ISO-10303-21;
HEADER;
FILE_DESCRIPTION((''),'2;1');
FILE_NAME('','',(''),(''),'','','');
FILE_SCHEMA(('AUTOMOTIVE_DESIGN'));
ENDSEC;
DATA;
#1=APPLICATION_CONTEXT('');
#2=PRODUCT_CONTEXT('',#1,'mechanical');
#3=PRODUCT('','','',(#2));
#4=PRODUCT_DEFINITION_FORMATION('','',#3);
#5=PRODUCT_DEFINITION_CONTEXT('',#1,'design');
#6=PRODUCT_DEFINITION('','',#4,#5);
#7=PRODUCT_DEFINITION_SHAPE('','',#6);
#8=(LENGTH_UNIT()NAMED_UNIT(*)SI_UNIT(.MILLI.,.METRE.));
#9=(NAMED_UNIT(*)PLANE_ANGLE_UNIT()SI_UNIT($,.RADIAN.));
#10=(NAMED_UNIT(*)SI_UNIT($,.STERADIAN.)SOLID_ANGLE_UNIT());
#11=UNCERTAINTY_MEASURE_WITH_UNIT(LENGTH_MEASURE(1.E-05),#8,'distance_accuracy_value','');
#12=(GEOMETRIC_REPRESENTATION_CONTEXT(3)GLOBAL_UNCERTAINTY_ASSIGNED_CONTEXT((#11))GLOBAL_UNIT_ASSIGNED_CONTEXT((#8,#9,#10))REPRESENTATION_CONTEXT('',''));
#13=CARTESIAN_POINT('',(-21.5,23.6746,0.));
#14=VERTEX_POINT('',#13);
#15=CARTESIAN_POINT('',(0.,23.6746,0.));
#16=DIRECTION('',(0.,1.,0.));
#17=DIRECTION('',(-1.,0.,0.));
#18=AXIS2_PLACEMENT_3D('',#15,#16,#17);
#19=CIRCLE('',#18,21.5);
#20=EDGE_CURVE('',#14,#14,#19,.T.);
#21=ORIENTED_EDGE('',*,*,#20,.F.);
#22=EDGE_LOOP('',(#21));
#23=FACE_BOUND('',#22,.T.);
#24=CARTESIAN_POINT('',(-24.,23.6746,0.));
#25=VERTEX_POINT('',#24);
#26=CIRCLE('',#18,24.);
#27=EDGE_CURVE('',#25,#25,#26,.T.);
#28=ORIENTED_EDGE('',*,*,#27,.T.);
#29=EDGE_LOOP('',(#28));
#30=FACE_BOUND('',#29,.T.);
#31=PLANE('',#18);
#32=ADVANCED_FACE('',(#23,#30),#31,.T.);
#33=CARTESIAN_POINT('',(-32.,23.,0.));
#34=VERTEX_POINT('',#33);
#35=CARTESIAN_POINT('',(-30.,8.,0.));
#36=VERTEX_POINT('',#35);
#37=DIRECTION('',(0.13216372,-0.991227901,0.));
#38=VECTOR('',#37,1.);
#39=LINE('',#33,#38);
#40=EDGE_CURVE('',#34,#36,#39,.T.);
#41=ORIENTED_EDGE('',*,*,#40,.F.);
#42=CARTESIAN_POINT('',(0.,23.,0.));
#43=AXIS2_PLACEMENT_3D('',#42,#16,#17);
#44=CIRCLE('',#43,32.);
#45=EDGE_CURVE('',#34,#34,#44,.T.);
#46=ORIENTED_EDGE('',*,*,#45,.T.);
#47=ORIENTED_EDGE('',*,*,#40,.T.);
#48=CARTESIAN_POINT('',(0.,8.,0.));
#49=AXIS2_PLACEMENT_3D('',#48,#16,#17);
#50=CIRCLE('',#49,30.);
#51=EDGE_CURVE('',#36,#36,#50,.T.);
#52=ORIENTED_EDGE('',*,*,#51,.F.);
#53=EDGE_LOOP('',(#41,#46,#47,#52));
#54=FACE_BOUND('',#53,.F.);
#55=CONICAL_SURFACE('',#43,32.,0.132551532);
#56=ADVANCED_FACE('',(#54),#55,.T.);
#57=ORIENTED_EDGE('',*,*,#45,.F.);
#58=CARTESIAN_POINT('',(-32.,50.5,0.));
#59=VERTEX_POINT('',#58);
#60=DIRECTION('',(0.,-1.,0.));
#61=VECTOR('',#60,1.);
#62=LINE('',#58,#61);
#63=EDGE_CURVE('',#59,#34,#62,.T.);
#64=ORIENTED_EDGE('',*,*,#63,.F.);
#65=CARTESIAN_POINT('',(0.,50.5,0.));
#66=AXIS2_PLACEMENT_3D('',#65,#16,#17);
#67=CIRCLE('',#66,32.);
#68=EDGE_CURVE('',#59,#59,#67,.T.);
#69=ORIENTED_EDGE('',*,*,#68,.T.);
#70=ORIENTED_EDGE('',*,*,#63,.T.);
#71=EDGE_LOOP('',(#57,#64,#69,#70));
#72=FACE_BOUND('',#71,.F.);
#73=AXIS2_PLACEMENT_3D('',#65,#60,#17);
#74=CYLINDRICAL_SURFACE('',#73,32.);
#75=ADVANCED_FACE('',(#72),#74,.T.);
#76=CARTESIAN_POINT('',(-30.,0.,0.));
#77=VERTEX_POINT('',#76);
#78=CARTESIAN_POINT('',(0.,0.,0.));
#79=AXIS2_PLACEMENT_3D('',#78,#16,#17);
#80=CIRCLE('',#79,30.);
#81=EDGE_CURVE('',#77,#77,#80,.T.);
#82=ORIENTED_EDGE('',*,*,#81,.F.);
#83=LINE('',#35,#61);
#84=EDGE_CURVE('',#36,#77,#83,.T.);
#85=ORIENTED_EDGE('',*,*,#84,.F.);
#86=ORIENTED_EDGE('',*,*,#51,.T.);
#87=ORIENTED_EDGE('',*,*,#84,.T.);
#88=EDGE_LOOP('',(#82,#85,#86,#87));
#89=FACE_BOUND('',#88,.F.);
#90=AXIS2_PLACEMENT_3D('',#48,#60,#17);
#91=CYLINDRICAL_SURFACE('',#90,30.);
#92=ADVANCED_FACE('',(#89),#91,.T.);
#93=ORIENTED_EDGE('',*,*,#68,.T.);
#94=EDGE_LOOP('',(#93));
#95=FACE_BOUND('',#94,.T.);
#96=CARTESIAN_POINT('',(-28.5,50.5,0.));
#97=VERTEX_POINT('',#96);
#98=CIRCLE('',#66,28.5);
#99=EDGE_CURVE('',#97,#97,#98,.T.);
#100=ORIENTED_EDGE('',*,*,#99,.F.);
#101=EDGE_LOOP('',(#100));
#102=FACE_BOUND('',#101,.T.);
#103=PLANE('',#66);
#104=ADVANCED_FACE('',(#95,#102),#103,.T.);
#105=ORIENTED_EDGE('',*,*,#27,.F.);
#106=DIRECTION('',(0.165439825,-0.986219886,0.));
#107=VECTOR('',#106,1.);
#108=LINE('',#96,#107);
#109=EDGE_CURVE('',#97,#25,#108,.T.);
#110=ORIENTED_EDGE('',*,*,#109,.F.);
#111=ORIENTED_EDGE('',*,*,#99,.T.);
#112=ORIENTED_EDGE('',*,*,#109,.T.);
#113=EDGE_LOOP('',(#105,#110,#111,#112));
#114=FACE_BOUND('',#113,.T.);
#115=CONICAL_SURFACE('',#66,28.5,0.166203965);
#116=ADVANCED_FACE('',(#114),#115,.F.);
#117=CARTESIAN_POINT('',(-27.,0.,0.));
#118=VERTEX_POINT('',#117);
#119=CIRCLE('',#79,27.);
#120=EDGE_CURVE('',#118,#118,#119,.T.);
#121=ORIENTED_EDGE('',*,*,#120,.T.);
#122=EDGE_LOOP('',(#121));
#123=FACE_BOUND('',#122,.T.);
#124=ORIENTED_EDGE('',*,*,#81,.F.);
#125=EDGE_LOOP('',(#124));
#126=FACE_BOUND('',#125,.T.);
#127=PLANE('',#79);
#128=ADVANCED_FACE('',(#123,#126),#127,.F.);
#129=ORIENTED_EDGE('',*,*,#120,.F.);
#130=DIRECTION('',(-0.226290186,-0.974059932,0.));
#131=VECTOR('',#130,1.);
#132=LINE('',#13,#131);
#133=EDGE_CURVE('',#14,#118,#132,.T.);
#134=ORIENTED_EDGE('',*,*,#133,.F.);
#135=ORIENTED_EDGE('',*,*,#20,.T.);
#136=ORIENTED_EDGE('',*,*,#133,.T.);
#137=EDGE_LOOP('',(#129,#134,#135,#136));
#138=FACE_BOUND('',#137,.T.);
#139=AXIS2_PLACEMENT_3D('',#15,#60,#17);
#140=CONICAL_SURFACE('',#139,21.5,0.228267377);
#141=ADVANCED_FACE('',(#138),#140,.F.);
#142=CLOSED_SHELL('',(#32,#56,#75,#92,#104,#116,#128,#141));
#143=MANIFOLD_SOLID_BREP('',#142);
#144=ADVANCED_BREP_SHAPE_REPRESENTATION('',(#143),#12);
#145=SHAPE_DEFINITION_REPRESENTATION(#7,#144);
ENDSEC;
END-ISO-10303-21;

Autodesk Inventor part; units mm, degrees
ref_plane "YZ Plane" through (0, 0, 0) normal (1, 0, 0) x (0, 1, 0)
ref_plane "XZ Plane" through (0, 0, 0) normal (0, 1, 0) x (-1, 0, 0)
ref_plane "XY Plane" through (0, 0, 0) normal (0, 0, 1) x (1, 0, 0)
sketch "Boceto1" plane through (0, 0, 0) normal (0, 0, 1) x (1, 0, 0)
  line L0 (-32, 50.5) -> (-32, 23)
  line L1 (-32, 23) -> (-30, 8)
  line L2 (-30, 8) -> (-30, 0)
  line L3 (-32, 50.5) -> (-28.5, 50.5)
  line L4 (-24, 23.6746) -> (-21.5, 23.6746)
  line L5 (-21.5, 23.6746) -> (-27, 0)
  line L6 (-27, 0) -> (-30, 0)
  line L7 (-28.5, 50.5) -> (-24, 23.6746)
  line L8 (0, -10.1) -> (0, 60.6) projected
  point P0 (0, 0)
  point P1 (0, 0)
  dimension "d2" = 2
  dimension "d3" = 8
  dimension "d4" = 15
  dimension "d14" = 3.5
  dimension "d15" = 3
  dimension "d16" = 2.5
  dimension "d17" = 4.5
revolve "Revolución1" add sketch "Boceto1" angle 360 about axis through (0, -10, 0) along (0, 1, 0)
properties part number "PARTE_INTERIOR_FENOLICO_TOBERA" material "Resina fenólica"
